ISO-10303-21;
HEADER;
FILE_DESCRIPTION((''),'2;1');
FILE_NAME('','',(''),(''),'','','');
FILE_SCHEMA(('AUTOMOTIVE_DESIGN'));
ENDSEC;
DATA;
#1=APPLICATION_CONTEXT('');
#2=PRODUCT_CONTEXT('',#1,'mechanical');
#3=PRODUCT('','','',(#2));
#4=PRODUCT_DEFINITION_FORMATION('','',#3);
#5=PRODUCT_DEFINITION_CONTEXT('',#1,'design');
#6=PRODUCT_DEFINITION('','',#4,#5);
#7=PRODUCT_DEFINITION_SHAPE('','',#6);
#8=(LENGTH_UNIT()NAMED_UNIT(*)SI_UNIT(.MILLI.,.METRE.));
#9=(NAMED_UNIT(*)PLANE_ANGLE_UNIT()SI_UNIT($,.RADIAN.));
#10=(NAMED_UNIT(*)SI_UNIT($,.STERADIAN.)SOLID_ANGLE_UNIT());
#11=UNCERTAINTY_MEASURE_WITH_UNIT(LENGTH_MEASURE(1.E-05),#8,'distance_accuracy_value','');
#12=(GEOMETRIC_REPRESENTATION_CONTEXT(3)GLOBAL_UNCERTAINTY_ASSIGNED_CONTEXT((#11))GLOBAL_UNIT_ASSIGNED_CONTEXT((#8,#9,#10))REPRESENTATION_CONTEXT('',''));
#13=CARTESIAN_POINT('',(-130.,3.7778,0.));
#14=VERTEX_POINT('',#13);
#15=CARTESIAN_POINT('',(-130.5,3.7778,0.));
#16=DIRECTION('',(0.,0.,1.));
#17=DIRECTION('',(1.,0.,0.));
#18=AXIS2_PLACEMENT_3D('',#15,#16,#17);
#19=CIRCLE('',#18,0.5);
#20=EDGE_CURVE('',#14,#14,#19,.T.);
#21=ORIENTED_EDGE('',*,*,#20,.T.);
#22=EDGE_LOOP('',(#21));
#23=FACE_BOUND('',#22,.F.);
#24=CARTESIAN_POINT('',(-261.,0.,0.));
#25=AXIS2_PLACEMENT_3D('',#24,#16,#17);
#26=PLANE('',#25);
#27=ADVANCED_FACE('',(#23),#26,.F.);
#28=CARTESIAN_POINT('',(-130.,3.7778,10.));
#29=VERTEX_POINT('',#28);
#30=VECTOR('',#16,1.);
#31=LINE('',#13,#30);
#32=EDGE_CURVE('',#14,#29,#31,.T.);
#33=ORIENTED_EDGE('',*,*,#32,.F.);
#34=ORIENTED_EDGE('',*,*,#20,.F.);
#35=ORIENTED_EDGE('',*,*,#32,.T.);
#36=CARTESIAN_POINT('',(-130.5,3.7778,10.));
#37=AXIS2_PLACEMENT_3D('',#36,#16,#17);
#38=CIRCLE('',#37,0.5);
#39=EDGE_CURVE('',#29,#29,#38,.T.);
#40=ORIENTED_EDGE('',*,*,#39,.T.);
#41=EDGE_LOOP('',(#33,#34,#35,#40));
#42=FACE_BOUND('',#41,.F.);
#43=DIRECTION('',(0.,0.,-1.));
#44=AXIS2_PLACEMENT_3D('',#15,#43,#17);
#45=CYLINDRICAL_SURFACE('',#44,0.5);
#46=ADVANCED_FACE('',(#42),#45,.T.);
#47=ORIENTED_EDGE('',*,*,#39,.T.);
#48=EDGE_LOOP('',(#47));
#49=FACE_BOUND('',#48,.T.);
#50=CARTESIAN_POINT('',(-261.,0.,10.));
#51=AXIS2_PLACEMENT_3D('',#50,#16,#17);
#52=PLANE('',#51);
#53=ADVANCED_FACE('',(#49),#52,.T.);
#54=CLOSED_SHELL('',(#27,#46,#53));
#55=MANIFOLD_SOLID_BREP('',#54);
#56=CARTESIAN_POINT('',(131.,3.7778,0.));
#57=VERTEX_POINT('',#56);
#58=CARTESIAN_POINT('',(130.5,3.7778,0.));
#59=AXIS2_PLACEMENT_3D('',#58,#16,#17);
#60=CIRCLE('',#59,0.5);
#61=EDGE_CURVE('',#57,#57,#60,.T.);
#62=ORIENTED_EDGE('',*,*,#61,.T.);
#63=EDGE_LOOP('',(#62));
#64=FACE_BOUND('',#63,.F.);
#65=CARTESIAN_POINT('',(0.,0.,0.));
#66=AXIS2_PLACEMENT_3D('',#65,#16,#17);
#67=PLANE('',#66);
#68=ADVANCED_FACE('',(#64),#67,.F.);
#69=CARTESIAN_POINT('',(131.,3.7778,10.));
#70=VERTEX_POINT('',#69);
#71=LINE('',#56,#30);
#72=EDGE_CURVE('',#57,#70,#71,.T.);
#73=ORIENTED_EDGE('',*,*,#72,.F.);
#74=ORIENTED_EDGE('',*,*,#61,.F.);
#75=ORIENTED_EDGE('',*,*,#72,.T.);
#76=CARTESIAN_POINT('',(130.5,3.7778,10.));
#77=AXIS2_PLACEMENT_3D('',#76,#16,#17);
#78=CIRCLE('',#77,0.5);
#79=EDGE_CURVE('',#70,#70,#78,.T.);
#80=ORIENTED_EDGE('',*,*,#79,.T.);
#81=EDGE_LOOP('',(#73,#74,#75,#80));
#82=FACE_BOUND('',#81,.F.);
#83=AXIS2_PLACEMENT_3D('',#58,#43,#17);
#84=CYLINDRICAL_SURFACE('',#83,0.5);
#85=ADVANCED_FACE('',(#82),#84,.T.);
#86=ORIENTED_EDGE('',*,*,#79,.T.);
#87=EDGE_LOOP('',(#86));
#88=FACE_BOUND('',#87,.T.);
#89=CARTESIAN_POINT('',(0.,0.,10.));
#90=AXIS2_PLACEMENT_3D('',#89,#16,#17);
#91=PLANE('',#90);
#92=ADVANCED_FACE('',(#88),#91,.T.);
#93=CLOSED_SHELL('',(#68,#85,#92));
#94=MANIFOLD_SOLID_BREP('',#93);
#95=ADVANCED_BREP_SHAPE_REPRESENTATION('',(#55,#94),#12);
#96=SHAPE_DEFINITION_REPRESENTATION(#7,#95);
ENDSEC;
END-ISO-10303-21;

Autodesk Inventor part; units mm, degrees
ref_plane "YZ Plane" through (0, 0, 0) normal (1, 0, 0) x (0, 1, 0)
ref_plane "XZ Plane" through (0, 0, 0) normal (0, 1, 0) x (-1, 0, 0)
ref_plane "XY Plane" through (0, 0, 0) normal (0, 0, 1) x (1, 0, 0)
sketch "Sketch1" plane through (0, 0, 0) normal (0, 0, 1) x (1, 0, 0)
  line L0 (-190.5, -10.9695) -> (190.5, -10.9695)
  line L1 (190.5, -10.9695) -> (190.5, 10.9695)
  line L2 (190.5, 10.9695) -> (-190.5, 10.9695)
  line L3 (-190.5, 10.9695) -> (-190.5, -10.9695)
  line L4 (-190.5, -10.9695) -> (190.5, 10.9695) construction
  line L5 (190.5, -10.9695) -> (-190.5, 10.9695) construction
  point P0 (0, 0)
  dimension "d0" = 381
  dimension "d1" = 21.939
sketch "Lamello" plane through (0, 0, 0) normal (0, 0, 1) x (1, 0, 0)
  line L0 (48.383, 141.1858) -> (42.783, 141.1858)
  line L1 (40.583, 139.6858) -> (40.583, 114.6858)
  line L2 (42.783, 113.1858) -> (48.383, 113.1858)
  line L3 (50.583, 114.6858) -> (50.583, 139.6858)
  line L4 (50.583, 139.6858) -> (48.383, 141.1858)
  line L5 (40.583, 139.6858) -> (42.783, 141.1858)
  line L6 (40.583, 114.6858) -> (42.783, 113.1858)
  line L7 (50.583, 114.6858) -> (48.383, 113.1858)
  line L8 (50.583, 127.1858) -> (40.583, 127.1858)
  line L9 (45.583, 141.1858) -> (45.583, 113.1858)
  point P0 (45.583, 127.1858)
  point P1 (50.583, 141.1858)
  point P2 (40.583, 113.1858)
  point P3 (40.583, 141.1858)
  point P4 (50.583, 113.1858)
  dimension "d54" = 10
  dimension "d55" = 28
  dimension "d56" = 1.5
  dimension "d57" = 2.2
  dimension "d58" = 1.5
  dimension "d59" = 2.2
  dimension "d60" = 1.5
  dimension "d61" = 2.2
  dimension "d62" = 1.5
  dimension "d63" = 2.2
sketch "Sketch2" plane through (0, 0, 0) normal (0, 0, 1) x (1, 0, 0)
  circle A0 centre (130.5, 3.7778) radius 0.5
  line L0 (190.5, 10.9695) -> (-190.5, 10.9695) projected
  line L1 (-190.5, -10.9695) -> (190.5, -10.9695) projected
  line L2 (0, -145.0303) -> (0, 106.9697) projected
  line L3 (190.5, -10.9695) -> (190.5, 10.9695) projected
  point P0 (0, 0)
  dimension "d4" = 1
  dimension "d50" = 7.1917
  dimension "d70" = 60
extrude "Extrusion1" add sketch "Sketch2" along normal blind 10 contours A0
pattern_linear "Clamex Array" count 2 spacing 261 along (-1, 0, 0) of "Extrusion1"
sketch "Edge-Side Connection" plane through (0, 0, 0) normal (1, 0, 0) x (0, 1, 0)
  line L0 (-50, 0) -> (50, 0)
  line L1 (50, 0) -> (50, 19)
  line L2 (50, 19) -> (-50, 19)
  line L3 (-50, 19) -> (-50, 0)
  line L4 (-10.9695, 0) -> (-34.0635, -40)
  line L5 (-34.0635, -40) -> (-12.1245, -40)
  line L6 (-12.1245, -40) -> (10.9695, 0)
  line L7 (-2.9208, -14) -> (-2.9208, 14) construction
  line L8 (10.9695, 0) -> (2.0792, 0)
  line L9 (-7.9208, -12.5) -> (-15.62, -8.0549)
  point P0 (0, 0)
  point P1 (10.9695, 0)
  point P2 (0, 0)
  dimension "d26" = 100
  dimension "d27" = 19
  dimension "d28" = 40
  dimension "OtherSideRefYCoordinate" = 8.0487
  dimension "ReferenceCoord" = 13.8903
  dimension "d49" = 120
sketch "Edge-Edge Connection" plane through (0, 0, 0) normal (1, 0, 0) x (0, 1, 0)
  line L0 (-109.0303, 19) -> (10.9697, 19)
  line L1 (10.9697, 19) -> (0, 0)
  line L2 (0, 0) -> (-109.0303, 0)
  line L3 (-109.0303, 0) -> (-109.0303, 19)
  line L4 (10.9697, 19) -> (70.9697, -84.923)
  line L5 (0, 0) -> (54.5152, -94.423)
  line L6 (54.5152, -94.423) -> (70.9697, -84.923)
  line L7 (1.0958, 1.8981) -> (0, 0)
  line L8 (-4.7295, 16.8083) -> (-4.7295, 19)
  point P0 (3.5958, 6.2282)
  dimension "d51" = 19
  dimension "d53" = 19
  dimension "EdgeEdgeReferenceCoord" = 7.1917
  dimension "d65" = 120
  dimension "d66" = 120
  dimension "d67" = 120
  dimension "EdgeEdgeOtherSideRefYCoordinate" = 14.7476
equation "\"d9\" = Step"
equation "\"d27\" = NestleBoardT"
equation "\"d0\" = ContactPatchWidth"
equation "\"d1\" = ContactPatchHeight"
equation "\"ContactPatchWidth\" = 381"
equation "\"ContactPatchHeight\" = 21.939"
equation "\"PlacingWidth\" = 261"
equation "\"MinDistBetween\" = 96"
equation "\"Step\" = 261"
equation "\"Y_Coord\" = 7.19169"
equation "\"NestleBoardT\" = 19"
equation "\"PillarBoardT\" = 19"
equation "\"AngleForYPositionCalc\" = 120deg"
equation "\"ConnectionAngle\" = 120deg"
equation "\"ShiftY\" = 0"
properties part number "Clamex Joint1500"
